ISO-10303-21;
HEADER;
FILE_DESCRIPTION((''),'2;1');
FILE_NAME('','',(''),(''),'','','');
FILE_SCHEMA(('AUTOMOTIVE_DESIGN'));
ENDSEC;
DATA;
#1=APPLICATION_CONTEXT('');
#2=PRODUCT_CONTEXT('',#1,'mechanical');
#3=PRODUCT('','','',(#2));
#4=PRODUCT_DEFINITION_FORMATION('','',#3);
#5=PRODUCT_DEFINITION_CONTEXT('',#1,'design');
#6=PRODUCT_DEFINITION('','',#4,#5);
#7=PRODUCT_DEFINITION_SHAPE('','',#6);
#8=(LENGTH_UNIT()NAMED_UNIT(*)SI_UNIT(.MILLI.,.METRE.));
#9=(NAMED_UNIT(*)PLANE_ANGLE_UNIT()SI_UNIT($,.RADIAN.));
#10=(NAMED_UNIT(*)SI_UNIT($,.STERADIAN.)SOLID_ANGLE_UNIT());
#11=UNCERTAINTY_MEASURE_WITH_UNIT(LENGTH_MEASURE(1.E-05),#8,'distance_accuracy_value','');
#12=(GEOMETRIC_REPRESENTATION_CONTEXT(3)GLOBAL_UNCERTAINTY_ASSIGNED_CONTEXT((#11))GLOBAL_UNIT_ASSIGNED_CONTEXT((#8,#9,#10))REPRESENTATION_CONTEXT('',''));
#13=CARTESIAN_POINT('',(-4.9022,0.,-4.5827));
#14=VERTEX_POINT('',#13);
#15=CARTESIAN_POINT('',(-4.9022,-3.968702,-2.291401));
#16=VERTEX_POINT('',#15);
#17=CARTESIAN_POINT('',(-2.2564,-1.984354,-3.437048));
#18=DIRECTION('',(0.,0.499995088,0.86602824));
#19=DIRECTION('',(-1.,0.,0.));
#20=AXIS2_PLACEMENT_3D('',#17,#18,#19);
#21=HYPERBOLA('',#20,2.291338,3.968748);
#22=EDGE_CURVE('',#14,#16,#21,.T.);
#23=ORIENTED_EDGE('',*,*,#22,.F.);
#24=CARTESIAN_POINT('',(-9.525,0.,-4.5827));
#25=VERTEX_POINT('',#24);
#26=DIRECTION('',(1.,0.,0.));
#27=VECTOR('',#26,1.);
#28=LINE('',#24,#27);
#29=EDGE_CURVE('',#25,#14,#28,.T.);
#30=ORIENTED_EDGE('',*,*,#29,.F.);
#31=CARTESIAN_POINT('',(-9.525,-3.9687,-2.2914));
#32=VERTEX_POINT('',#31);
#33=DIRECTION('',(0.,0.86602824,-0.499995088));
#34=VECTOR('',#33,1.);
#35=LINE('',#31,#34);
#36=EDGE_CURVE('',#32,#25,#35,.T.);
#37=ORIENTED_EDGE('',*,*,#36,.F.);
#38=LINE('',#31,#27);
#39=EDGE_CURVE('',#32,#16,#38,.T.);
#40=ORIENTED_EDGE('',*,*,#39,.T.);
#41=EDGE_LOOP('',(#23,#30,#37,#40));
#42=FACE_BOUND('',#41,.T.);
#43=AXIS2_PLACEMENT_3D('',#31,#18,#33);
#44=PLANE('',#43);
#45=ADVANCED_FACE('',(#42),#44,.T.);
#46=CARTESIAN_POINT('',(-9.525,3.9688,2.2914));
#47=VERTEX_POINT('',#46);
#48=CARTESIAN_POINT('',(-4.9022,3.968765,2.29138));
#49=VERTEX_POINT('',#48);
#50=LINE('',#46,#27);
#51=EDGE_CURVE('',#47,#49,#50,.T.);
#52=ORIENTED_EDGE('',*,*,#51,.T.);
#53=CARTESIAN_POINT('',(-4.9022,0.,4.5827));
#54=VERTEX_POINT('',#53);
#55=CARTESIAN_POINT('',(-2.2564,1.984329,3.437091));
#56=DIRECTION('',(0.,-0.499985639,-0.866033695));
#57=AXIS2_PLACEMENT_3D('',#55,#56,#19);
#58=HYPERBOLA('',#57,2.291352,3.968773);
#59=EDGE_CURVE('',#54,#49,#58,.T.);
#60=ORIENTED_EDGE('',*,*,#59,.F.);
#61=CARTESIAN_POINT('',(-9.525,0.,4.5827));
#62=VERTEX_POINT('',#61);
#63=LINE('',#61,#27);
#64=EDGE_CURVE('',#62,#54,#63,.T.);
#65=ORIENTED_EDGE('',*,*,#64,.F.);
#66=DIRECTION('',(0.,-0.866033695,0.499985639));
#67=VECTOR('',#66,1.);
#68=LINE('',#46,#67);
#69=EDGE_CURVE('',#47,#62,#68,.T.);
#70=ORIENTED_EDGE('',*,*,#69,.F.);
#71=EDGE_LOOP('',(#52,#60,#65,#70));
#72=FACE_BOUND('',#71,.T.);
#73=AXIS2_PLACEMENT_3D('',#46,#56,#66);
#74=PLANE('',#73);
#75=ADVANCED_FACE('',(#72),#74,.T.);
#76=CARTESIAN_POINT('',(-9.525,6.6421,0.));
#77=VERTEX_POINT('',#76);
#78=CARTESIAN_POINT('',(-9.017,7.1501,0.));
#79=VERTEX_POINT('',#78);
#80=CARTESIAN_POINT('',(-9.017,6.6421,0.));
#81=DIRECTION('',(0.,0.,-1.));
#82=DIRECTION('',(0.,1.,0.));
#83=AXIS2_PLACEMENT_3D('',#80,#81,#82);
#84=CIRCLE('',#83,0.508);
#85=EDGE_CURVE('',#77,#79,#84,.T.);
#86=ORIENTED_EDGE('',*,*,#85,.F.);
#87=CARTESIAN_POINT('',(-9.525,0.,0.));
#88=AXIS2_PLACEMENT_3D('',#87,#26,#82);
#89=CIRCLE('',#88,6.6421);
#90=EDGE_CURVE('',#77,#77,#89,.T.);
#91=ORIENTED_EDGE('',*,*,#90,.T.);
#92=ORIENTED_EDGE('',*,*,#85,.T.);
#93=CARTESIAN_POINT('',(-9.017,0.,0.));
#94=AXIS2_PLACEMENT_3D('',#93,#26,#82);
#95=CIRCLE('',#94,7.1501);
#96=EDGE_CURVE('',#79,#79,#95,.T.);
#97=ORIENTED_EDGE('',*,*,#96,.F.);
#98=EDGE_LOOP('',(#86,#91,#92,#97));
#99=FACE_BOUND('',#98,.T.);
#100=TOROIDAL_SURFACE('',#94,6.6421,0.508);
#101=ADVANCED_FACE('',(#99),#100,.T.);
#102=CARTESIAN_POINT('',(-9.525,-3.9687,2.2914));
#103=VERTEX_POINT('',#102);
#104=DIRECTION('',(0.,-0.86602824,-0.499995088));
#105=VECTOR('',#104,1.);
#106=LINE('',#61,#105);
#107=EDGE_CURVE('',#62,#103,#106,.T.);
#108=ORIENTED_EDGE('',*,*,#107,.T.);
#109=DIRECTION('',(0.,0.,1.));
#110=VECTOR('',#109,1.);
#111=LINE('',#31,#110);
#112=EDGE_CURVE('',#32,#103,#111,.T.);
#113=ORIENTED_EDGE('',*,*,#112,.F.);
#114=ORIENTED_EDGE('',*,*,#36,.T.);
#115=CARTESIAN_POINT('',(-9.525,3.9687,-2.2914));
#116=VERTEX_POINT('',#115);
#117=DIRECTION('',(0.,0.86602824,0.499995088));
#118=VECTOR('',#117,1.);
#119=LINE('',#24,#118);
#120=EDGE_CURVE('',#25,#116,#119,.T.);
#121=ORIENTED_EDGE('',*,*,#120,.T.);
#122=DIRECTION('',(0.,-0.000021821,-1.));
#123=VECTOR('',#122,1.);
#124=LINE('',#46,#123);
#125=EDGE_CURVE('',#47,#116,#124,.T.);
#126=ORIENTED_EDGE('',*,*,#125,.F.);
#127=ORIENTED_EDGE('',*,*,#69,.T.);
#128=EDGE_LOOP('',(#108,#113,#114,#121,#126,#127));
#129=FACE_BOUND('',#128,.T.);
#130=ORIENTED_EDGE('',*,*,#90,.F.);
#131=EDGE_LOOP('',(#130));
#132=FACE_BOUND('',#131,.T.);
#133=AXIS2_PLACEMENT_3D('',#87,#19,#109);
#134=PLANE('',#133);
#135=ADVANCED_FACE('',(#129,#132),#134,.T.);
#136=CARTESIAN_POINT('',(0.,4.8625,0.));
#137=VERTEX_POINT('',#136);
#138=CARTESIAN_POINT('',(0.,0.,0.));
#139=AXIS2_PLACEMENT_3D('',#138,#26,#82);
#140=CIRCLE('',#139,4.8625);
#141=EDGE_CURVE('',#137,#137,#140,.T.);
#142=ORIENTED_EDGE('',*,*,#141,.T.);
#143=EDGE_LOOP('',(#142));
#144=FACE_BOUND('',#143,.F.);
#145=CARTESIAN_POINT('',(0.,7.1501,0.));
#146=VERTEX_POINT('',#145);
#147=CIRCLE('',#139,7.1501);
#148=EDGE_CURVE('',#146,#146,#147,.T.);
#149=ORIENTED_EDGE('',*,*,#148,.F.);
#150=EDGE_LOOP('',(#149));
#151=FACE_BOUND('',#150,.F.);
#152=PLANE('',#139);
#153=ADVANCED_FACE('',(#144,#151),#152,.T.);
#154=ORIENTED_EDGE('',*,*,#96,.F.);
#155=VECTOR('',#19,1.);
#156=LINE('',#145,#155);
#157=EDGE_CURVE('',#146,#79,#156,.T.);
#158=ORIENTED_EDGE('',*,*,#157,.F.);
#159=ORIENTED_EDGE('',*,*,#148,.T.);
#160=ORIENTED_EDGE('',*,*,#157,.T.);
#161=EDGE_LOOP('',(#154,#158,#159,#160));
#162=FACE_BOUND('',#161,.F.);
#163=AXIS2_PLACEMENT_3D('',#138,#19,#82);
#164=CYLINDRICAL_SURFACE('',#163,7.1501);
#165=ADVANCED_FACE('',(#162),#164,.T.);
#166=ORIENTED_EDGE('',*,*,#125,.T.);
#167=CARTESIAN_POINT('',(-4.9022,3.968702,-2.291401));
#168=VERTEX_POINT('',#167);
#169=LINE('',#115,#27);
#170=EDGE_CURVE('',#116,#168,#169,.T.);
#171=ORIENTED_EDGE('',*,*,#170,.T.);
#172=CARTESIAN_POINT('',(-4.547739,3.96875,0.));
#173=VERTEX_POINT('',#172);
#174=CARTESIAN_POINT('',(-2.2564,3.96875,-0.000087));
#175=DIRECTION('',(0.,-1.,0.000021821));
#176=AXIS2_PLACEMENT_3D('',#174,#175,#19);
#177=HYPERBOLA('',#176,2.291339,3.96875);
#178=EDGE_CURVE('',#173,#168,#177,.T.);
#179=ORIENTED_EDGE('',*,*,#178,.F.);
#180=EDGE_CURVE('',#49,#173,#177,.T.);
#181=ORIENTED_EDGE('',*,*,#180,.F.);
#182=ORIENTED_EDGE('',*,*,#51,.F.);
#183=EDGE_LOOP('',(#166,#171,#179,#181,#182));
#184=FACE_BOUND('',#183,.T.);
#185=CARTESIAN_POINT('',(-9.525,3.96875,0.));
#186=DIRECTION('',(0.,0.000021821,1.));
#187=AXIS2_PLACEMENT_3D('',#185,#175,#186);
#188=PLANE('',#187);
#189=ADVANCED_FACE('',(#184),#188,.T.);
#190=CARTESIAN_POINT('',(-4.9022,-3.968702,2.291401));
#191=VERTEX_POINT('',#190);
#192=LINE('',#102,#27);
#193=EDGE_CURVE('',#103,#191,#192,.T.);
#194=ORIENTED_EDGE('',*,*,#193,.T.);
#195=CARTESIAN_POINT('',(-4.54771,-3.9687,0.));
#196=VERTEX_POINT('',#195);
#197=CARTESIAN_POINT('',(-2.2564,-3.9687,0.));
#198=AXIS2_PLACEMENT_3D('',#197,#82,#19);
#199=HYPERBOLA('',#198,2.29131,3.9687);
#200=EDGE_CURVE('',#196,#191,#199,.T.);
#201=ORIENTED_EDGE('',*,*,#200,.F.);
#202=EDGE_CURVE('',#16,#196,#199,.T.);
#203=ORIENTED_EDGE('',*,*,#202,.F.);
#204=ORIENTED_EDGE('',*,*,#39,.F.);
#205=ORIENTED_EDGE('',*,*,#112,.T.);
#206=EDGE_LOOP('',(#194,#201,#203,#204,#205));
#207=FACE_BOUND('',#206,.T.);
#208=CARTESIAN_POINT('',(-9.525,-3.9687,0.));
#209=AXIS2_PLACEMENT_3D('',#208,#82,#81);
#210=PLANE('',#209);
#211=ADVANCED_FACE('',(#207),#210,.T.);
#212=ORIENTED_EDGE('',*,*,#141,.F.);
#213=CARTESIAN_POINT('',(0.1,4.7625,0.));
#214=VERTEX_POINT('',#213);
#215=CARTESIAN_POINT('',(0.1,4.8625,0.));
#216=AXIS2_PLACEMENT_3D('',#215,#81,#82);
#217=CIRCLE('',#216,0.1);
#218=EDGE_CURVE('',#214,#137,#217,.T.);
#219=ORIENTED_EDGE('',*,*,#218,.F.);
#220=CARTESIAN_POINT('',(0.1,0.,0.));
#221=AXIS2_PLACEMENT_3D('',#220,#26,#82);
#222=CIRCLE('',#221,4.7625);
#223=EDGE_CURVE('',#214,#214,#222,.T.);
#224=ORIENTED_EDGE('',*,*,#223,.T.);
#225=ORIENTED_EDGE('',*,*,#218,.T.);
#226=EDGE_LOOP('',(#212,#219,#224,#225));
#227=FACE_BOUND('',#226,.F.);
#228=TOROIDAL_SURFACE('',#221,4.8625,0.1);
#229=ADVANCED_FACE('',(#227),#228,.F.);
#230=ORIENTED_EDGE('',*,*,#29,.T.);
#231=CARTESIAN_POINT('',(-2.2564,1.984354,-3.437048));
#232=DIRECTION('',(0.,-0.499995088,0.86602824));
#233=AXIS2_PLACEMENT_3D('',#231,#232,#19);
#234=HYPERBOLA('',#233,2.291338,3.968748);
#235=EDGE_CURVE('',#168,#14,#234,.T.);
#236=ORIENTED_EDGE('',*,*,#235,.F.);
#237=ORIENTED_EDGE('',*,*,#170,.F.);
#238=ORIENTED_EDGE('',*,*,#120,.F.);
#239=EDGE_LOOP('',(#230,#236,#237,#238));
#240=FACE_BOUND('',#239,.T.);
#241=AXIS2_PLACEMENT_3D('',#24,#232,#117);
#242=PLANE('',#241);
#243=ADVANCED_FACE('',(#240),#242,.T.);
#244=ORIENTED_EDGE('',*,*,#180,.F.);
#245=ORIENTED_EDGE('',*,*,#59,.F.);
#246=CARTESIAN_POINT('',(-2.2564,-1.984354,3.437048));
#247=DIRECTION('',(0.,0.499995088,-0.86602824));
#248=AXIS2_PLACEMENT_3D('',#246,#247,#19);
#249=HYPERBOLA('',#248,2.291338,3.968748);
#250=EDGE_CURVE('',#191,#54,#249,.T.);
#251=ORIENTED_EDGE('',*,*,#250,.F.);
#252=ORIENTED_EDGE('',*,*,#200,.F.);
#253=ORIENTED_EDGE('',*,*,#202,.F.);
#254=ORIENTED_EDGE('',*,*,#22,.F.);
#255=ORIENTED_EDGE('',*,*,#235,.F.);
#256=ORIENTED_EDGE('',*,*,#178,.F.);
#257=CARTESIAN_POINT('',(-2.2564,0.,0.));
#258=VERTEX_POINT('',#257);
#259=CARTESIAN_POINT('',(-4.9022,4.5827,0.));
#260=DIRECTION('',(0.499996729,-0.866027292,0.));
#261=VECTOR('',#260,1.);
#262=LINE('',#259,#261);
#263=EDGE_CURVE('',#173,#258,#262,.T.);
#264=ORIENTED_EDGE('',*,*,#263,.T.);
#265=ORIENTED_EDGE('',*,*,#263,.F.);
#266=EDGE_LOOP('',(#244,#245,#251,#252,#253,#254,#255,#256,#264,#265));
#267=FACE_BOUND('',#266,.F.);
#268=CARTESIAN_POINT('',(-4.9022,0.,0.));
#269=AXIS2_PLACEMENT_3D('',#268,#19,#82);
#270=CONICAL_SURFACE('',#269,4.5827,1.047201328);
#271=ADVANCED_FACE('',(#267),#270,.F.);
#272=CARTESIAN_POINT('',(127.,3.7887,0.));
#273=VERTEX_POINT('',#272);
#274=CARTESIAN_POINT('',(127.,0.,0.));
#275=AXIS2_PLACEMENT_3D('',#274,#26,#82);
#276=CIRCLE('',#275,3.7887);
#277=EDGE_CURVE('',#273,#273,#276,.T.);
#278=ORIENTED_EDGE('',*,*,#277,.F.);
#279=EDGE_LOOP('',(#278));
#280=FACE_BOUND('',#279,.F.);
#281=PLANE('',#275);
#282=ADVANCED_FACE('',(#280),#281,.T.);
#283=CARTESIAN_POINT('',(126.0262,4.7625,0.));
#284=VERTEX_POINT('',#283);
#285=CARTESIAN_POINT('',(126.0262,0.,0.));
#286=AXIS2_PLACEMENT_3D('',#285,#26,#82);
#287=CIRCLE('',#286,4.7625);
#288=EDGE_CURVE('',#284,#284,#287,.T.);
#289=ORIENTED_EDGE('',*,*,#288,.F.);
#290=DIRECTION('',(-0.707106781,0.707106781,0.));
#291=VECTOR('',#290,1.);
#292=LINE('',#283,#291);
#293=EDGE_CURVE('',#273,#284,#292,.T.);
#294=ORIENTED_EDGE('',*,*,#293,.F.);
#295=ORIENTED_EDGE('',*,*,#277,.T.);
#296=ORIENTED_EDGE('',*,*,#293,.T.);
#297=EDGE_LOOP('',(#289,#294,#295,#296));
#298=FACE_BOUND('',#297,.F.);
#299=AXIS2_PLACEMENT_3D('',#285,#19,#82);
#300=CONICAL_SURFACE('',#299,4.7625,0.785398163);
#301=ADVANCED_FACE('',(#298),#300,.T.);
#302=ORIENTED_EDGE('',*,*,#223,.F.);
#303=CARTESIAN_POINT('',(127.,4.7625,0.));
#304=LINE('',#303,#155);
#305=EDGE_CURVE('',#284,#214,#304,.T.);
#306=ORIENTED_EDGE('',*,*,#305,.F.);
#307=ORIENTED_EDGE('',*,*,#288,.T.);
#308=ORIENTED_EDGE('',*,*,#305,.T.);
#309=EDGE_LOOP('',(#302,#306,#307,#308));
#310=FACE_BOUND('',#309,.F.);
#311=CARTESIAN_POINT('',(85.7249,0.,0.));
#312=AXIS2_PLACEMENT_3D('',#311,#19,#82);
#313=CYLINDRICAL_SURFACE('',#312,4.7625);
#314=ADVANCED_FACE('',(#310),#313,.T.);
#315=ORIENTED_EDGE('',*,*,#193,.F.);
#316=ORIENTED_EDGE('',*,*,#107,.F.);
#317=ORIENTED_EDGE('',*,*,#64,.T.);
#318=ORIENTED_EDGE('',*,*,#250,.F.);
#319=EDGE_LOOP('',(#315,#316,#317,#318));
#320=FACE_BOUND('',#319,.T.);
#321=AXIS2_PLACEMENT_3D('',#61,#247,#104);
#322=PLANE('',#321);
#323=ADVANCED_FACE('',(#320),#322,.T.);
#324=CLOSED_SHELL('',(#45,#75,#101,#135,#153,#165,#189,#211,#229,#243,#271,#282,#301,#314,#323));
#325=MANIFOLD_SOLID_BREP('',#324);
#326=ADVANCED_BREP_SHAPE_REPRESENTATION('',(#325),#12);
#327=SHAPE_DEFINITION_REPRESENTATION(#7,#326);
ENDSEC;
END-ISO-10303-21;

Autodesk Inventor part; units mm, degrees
ref_plane "YZ Plane" through (0, 0, 0) normal (1, 0, 0) x (0, 1, 0)
ref_plane "XZ Plane" through (0, 0, 0) normal (0, 1, 0) x (-1, 0, 0)
sketch "Sketch1" plane through (0, 0, 0) normal (0, 0, 1) x (1, 0, 0)
  line L0 (-2.2564, 0) -> (127, 0)
  line L1 (127, 0) -> (127, 4.7625)
  line L2 (127, 4.7625) -> (88.9, 4.7625)
  line L3 (88.9, 4.7625) -> (85.7249, 4.7625)
  line L4 (85.7249, 4.7625) -> (0, 4.7625)
  line L5 (0, 4.7625) -> (0, 7.1501)
  line L6 (0, 7.1501) -> (-9.525, 7.1501)
  line L7 (-9.525, 7.1501) -> (-9.525, 4.5827)
  line L8 (-9.525, 4.5827) -> (-4.9022, 4.5827)
  line L9 (-4.9022, 4.5827) -> (-2.2564, 0)
  line L10 (-36.83, 0) -> (154.305, 0) projected
  line L11 (0, -1.43) -> (0, 8.5801) projected
  line L12 (88.9, 4.7625) -> (0, 4.7625) construction
  dimension "d1" = 38.1
  dimension "d2" = 3.1751
  dimension "d3" = 9.525
  dimension "d4" = 4.6228
  dimension "d5" = 60
  dimension "d6" = 9.525
  dimension "d7" = 9.525
  dimension "d8" = 9.1654
  dimension "d9" = 14.3002
  dimension "d26" = 127
revolve "Body" add sketch "Sketch1" angle 360 about axis through (-2.2564, 0, 0) along (1, 0, 0)
sketch "Sketch2" plane through (-9.525, 0, 0) normal (-1, 0, 0) x (0, 0, 1)
  circle A0 centre (0, 0) radius 4.5827 projected
  line L0 (0, -10.0101) -> (0, 10.0101) projected
  line L1 (-10.0101, 0) -> (10.0101, 0) projected
  line L2 (4.5827, 0) -> (2.2914, -3.9687)
  line L3 (2.2914, -3.9687) -> (-2.2914, -3.9687)
  line L4 (-2.2914, -3.9687) -> (-4.5827, 0)
  line L5 (-4.5827, 0) -> (-2.2914, 3.9687)
  line L6 (-2.2914, 3.9687) -> (2.2914, 3.9688)
  line L7 (2.2914, 3.9688) -> (4.5827, 0)
extrude "Slot" add sketch "Sketch2" against normal up to next contours L7 A0 | A0 L2 | L6 L0 A0 | A0 L0 L3 | L0 L6 A0 | A0 L3 L0 | L4 A0 | A0 L5
fillet "Fillet1" radius 0.508 1 edges at (-9.525, -7.1501, 0)
thread "Thread" size "3/8-16 UNC" class "2A" standard "ANSI Unified Screw Threads" length 38.1
chamfer "Chamfer1" distance 0.9738 distance2 0.9738 1 edges at (127, -4.7625, 0) measured on face at (127, 0.2765, 1.2306)
ref_plane "Work Plane1" through (29, 0, 0) normal (0, -1, 0) x (1, 0, 0)
fillet "Fillet2" radius 0.1 1 edges at (0, -4.7625, 0)
equation "\"d1\" = GEL"
equation "\"d3\" = KOH"
equation "\"d4\" = INTI"
equation "\"d6\" = GD"
equation "\"d7\" = BDM"
equation "\"d8\" = 1.1547 * SW"
equation "\"d9\" = KOD"
equation "\"d26\" = NLG"
equation "\"d30\" = R"
equation "\"d17\" = RR"
equation "\"d13\" = GEL"
equation "\"d15\" = -0.5 * SPD + 0.5 * GD"
equation "\"d16\" = GUL"
equation "\"GD\" = NND"
equation "\"NLG\" = 127"
equation "\"GEL\" = 38.1"
equation "\"KOD\" = 14.3002"
equation "\"KOH\" = NND"
equation "\"INTI\" = 4.6228"
equation "\"GAL\" = 3.175"
equation "\"GUL\" = 0.97384"
equation "\"BDM\" = NND"
equation "\"SW\" = 7.9375"
equation "\"RR\" = 0.508"
equation "\"SPD\" = GD1"
equation "\"R\" = 0.1"
equation "\"PHH\" = 0.1 * NND"
equation "\"THREADDIA\" = 9.525"
equation "\"FAWI\" = 45deg"
equation "\"NND\" = 9.525"
equation "\"E0\" = 1.155 * SW"
equation "\"FAWI1\" = 30deg"
equation "\"TOA\" = 30deg"
equation "\"GD1\" = 7.57735"
properties part number "Unbrako - 3/8 x 5" material "Steel, Mild"
